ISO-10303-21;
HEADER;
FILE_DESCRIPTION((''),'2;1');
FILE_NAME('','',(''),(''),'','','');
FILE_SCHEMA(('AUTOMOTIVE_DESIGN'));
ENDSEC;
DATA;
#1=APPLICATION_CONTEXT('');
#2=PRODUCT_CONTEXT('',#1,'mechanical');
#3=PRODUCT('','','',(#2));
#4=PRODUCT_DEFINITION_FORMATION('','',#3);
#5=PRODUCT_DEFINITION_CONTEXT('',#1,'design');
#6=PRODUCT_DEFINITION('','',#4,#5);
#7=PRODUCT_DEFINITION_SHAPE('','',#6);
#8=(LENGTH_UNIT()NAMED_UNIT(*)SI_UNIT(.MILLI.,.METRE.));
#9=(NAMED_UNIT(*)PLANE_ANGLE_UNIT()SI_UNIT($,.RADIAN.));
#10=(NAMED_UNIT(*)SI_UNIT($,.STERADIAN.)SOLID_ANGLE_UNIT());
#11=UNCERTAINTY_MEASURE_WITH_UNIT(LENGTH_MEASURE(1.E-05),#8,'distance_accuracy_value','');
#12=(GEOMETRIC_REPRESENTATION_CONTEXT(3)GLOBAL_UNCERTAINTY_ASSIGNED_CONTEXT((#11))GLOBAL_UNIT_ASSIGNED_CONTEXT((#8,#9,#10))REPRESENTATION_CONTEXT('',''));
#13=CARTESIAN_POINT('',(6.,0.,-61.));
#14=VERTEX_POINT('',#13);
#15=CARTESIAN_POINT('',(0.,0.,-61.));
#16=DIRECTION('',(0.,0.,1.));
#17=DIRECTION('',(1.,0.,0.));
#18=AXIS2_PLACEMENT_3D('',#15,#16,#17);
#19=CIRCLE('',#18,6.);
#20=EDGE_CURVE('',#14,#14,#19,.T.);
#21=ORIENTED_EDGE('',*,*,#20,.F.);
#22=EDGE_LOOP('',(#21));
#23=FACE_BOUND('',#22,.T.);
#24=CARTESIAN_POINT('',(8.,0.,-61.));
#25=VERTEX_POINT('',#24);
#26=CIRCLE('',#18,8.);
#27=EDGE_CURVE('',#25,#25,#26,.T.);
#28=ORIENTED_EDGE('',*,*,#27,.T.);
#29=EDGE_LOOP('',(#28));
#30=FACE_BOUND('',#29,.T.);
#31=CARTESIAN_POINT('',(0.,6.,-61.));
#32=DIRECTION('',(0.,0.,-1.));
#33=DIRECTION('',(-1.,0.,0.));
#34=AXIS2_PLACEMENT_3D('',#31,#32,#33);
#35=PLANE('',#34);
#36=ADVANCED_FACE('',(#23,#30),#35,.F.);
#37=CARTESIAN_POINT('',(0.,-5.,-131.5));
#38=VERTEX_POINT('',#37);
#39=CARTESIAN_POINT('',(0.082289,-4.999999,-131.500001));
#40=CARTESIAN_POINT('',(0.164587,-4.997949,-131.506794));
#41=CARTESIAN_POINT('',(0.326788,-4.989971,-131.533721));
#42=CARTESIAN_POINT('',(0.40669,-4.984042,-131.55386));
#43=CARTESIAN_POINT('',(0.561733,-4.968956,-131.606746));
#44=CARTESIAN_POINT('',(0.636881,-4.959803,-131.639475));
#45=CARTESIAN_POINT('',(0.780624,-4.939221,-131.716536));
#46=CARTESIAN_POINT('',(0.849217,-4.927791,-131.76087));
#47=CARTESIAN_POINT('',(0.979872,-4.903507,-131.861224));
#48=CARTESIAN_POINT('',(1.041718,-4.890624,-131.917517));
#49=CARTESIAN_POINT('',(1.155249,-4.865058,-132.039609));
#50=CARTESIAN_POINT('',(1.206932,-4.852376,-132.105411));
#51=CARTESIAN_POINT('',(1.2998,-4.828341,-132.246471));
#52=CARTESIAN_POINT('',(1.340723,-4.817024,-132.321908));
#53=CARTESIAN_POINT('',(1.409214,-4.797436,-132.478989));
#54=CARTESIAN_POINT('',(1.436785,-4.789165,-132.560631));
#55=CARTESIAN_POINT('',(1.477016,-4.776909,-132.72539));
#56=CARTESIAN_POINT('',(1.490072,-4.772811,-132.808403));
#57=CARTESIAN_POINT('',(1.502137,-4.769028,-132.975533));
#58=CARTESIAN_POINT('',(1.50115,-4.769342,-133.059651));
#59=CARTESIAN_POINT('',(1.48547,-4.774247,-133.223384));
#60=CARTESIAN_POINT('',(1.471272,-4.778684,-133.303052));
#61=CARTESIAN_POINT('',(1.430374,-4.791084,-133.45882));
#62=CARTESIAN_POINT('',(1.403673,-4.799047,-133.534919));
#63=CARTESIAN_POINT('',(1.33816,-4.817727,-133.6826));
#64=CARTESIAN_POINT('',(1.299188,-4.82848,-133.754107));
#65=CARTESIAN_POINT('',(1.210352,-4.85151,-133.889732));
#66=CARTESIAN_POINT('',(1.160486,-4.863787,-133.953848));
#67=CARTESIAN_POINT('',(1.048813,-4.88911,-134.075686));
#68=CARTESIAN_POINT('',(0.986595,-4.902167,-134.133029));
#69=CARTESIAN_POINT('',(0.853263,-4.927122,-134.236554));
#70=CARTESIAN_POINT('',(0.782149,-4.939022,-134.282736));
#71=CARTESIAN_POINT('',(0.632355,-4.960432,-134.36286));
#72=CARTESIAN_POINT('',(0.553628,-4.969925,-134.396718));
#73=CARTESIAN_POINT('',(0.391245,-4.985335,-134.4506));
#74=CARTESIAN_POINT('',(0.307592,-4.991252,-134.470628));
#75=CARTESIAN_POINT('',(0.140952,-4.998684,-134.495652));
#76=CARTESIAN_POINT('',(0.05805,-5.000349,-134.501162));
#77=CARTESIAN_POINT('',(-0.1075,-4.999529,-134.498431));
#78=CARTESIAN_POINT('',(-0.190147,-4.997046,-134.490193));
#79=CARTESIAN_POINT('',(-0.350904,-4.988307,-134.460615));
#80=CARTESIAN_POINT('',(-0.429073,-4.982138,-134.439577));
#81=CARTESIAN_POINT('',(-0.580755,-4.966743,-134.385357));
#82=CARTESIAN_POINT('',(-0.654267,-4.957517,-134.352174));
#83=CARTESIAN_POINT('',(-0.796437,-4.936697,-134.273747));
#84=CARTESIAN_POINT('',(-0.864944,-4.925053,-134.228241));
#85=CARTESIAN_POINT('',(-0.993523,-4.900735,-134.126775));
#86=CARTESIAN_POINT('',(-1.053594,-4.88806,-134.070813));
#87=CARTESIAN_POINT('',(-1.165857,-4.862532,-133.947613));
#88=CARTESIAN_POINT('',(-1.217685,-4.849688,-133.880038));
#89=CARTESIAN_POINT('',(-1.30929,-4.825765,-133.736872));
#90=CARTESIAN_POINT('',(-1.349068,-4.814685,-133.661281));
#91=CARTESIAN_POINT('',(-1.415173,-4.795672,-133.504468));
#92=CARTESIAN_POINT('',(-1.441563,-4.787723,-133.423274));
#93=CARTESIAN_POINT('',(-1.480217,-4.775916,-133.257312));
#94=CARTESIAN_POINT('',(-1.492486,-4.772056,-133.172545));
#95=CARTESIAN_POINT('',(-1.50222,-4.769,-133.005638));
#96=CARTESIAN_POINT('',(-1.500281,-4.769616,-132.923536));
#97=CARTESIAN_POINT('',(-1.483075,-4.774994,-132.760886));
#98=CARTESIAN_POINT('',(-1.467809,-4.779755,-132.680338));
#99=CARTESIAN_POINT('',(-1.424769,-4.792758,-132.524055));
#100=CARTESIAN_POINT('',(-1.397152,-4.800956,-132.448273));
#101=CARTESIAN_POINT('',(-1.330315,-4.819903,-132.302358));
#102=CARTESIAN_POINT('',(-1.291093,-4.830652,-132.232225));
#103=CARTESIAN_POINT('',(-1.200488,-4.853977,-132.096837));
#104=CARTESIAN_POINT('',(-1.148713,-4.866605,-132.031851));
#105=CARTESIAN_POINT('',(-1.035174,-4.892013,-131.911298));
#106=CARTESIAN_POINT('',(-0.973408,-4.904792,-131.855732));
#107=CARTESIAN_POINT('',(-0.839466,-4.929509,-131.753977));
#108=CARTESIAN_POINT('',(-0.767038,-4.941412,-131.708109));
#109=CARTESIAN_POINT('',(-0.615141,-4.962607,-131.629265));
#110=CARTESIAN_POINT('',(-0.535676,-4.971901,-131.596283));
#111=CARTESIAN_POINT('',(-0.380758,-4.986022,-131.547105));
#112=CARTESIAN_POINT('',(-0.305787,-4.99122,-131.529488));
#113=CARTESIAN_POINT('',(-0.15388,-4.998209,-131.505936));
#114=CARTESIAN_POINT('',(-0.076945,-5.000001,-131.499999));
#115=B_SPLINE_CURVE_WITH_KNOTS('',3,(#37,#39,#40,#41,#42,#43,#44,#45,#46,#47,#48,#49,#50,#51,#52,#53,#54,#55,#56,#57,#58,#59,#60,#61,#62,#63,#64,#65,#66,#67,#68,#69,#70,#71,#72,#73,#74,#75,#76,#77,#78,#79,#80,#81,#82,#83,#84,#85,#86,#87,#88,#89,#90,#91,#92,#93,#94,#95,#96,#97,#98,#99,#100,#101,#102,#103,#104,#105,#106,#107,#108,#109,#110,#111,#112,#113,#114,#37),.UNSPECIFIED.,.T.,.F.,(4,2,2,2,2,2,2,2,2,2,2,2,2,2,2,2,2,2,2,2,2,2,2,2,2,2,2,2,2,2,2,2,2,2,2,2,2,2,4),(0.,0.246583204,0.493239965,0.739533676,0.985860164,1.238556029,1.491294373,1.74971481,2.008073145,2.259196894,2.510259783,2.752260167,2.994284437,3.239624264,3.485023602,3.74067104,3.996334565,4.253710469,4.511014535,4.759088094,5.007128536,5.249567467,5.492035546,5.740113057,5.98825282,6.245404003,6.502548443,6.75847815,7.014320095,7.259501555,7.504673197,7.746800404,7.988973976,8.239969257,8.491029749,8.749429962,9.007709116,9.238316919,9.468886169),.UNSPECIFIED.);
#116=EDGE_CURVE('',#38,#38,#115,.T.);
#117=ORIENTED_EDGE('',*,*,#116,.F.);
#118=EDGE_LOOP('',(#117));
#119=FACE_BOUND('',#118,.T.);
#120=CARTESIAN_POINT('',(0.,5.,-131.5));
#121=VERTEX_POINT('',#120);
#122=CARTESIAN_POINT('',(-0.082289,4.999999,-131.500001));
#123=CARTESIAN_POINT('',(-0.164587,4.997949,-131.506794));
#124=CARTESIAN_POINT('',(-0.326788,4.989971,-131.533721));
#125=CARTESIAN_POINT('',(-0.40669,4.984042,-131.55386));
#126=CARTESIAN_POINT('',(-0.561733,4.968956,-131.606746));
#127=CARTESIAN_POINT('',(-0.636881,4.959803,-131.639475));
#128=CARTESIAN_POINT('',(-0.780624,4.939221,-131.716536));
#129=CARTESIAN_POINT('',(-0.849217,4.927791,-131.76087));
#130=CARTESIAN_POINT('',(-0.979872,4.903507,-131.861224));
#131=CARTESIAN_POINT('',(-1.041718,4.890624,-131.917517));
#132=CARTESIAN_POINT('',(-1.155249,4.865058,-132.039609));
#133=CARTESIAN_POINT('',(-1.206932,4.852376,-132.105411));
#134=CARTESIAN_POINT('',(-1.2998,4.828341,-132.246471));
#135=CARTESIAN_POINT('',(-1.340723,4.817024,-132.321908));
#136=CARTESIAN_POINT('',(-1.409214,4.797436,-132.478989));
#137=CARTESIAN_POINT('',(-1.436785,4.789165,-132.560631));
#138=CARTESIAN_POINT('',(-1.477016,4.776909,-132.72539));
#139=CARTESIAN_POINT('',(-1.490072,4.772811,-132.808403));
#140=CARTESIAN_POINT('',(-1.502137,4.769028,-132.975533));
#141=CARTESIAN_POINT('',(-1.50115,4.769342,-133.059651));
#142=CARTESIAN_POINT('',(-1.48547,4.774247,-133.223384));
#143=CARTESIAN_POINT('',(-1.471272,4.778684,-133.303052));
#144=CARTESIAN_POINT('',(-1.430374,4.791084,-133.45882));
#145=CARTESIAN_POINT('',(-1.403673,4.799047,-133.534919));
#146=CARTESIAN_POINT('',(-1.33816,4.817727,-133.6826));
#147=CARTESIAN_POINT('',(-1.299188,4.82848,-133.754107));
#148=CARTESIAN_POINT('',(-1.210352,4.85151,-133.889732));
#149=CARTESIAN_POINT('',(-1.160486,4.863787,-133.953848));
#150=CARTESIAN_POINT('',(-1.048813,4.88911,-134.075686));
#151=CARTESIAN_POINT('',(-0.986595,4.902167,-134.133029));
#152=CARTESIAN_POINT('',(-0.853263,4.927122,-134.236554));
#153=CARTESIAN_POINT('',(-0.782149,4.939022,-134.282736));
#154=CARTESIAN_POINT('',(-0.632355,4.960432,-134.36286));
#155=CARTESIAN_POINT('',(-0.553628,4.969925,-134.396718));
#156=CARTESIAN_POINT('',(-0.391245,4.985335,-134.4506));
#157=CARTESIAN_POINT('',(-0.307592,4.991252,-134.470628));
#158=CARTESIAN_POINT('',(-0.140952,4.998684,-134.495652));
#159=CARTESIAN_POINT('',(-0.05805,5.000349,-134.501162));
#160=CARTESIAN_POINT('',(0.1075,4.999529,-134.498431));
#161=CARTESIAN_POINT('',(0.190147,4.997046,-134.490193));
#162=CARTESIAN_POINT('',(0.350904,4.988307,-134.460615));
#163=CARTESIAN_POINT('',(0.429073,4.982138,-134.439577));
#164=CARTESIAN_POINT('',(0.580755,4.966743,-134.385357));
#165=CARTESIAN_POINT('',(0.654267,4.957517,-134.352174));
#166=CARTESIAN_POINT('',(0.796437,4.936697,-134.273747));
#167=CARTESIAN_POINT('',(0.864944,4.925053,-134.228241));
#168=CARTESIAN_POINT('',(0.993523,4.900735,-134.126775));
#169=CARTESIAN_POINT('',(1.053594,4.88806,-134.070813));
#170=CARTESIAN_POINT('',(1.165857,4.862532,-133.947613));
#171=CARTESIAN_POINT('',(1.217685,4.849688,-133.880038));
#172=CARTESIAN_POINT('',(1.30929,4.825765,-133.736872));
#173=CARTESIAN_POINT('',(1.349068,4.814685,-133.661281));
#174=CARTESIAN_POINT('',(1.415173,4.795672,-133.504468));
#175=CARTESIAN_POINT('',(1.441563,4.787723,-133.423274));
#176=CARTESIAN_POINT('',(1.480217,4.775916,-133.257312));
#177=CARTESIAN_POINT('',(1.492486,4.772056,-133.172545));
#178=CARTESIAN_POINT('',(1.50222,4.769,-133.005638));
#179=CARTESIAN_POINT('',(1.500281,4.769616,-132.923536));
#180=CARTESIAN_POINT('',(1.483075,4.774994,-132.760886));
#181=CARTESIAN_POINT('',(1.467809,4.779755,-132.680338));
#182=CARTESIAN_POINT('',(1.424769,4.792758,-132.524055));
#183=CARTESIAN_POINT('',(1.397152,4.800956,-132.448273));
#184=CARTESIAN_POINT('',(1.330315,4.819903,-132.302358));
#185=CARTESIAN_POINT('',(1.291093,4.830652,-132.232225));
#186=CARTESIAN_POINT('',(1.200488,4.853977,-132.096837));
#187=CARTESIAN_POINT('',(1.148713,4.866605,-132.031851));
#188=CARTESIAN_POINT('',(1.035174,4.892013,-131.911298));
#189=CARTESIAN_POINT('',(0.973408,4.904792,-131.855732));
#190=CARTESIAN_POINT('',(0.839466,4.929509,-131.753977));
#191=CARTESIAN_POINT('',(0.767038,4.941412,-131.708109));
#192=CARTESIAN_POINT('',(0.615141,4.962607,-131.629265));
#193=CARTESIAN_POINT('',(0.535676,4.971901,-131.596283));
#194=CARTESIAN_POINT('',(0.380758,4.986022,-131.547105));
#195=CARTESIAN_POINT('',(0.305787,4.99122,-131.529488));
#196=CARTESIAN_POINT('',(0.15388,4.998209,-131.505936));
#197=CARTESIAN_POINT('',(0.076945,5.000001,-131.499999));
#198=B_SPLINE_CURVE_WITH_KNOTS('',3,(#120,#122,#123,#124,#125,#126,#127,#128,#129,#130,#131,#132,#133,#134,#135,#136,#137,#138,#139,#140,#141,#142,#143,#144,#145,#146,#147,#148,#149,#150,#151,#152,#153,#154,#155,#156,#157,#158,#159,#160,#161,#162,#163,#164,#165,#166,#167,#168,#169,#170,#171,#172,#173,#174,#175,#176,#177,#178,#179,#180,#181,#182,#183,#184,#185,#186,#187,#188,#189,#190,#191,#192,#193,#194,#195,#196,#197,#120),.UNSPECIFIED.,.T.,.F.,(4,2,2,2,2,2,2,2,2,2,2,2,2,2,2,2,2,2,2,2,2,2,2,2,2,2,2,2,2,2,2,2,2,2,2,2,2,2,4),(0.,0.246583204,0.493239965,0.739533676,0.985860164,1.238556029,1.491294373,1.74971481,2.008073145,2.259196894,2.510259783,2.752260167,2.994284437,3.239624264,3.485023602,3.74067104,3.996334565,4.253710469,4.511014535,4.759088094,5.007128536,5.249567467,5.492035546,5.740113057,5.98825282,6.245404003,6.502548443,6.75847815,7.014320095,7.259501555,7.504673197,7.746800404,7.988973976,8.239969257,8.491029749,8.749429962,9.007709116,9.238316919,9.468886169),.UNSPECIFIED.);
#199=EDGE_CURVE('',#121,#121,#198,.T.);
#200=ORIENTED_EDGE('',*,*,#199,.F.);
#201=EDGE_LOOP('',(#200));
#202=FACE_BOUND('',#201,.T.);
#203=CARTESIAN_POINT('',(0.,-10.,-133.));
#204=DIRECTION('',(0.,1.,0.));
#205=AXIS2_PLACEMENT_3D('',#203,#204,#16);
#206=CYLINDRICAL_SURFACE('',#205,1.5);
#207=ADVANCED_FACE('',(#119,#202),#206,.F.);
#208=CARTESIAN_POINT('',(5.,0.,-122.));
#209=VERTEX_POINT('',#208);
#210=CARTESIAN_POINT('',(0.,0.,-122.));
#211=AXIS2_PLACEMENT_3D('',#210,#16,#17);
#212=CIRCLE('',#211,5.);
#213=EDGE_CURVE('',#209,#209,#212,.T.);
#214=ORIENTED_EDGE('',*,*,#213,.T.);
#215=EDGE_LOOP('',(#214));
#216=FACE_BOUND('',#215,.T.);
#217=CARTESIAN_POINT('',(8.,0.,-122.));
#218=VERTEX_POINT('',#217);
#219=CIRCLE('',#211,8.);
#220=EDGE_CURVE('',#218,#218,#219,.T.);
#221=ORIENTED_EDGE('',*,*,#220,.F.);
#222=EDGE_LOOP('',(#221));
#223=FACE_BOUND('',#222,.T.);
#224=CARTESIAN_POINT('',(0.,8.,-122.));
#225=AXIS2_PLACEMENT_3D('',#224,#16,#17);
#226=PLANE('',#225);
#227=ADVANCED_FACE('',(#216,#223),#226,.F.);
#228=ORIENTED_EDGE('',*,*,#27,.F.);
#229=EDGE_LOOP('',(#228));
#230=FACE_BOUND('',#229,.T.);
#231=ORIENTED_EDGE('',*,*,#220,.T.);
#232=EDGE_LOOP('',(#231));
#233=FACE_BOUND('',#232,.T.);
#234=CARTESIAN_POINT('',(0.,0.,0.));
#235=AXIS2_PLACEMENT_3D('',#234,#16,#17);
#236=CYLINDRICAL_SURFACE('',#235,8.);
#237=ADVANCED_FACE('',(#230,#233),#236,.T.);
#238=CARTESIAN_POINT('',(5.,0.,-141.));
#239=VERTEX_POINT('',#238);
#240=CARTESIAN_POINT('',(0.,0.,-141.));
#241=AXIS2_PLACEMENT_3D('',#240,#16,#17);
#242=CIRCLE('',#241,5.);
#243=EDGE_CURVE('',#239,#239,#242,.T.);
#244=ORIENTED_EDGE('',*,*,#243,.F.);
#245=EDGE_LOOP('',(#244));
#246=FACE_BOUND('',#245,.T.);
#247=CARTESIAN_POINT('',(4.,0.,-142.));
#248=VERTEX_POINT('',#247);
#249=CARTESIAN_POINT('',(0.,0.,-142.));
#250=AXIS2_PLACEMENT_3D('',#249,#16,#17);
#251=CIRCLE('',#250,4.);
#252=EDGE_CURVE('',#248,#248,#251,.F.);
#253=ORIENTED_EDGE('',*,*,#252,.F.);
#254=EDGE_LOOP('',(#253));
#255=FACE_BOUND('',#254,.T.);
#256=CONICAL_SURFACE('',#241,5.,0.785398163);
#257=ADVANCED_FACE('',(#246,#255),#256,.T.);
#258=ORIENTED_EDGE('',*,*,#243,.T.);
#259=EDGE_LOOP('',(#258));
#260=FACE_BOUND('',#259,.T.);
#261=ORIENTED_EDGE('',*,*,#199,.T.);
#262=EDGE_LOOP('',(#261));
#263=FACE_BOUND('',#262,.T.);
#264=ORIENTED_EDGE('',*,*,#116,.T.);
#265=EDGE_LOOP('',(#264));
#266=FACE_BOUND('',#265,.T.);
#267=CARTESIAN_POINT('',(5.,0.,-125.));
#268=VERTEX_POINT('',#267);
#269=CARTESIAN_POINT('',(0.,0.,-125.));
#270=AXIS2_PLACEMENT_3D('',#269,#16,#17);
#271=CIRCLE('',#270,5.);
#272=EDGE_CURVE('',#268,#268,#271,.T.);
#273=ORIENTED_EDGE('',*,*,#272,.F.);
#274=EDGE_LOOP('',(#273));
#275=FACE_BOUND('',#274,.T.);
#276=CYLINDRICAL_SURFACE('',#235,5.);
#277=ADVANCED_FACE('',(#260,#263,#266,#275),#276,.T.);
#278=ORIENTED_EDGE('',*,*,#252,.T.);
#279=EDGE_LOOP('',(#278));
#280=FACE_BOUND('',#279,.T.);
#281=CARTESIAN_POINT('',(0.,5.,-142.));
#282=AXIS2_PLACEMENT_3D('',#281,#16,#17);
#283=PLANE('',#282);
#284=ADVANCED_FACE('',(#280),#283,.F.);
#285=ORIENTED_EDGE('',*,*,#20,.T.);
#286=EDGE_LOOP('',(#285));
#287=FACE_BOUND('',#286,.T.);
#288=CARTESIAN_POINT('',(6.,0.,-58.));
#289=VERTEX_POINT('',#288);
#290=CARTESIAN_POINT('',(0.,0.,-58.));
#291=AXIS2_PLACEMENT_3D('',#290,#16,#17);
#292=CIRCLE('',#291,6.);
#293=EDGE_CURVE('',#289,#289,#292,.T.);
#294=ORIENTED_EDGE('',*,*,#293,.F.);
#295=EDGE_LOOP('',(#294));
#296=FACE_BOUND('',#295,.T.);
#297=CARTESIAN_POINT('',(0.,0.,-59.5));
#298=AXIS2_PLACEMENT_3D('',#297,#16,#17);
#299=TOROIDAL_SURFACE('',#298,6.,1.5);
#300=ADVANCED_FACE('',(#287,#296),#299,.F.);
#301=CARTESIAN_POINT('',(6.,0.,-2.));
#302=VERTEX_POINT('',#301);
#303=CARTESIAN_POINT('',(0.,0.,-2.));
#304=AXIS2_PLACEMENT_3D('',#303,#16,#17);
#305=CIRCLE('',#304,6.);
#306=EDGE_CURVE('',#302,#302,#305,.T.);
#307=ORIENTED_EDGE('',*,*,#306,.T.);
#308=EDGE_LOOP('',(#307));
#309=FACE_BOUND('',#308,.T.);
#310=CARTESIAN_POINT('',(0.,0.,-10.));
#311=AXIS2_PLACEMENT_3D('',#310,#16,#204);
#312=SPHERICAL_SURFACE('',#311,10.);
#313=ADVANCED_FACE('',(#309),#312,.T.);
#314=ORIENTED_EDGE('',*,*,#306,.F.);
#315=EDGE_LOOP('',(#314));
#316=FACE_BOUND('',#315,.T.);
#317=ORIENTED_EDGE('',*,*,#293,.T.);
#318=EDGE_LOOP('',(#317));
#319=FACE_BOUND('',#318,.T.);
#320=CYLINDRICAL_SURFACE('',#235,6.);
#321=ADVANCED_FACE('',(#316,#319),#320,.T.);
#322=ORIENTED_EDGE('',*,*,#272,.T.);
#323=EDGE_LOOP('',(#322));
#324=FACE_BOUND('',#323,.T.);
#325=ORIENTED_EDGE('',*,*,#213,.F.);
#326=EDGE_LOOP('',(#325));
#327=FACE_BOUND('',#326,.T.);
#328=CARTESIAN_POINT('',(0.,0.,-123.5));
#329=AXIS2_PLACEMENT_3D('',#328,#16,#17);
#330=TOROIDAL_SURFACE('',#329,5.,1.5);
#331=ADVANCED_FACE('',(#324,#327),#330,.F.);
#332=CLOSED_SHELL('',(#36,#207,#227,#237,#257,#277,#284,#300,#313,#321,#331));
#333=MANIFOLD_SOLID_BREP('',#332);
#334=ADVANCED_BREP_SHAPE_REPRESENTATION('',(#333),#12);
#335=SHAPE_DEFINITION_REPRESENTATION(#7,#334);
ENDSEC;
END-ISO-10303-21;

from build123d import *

# Parameters (mm, degrees)
SKETCH_2_R          = 1.5
CUT_EXTRUDE_1_DEPTH = 10
CHAMFER_1_SIZE      = 1


with BuildPart() as part:
    # 草圖1 → 旋轉1 (revolve)
    with BuildSketch(Plane(origin=(0, 0, 0), x_dir=(0, 0, -1), z_dir=(1, 0, 0)), mode=Mode.PRIVATE) as revolve_1_sk:
        with BuildLine():
            Line((2, 6), (58, 6))
            ThreePointArc((58, 6), (59.5, 4.5), (61, 6))
            Line((61, 6), (61, 8))
            Line((61, 8), (122, 8))
            Line((122, 8), (122, 5))
            ThreePointArc((122, 5), (123.5, 3.5), (125, 5))
            Line((125, 5), (142, 5))
            Line((142, 5), (142, 0))
            Line((142, 0), (0, 0))
            ThreePointArc((0, 0), (0.513167019, 3.16227766), (2, 6))
        make_face()
    revolve(revolve_1_sk.sketch.rotate(Axis((0, 0, 0), (0, 0, -1)), 90), axis=Axis((0, 0, 0), (0, 0, -1)))

    # 草圖2 → 除料-伸長1 (cut, symmetric)
    with BuildSketch(Plane(origin=(0, 0, 0), x_dir=(1, 0, 0), z_dir=(0, 1, 0))):
        with Locations(Location((0, 133, 0), (0, 0, 270))):
            Circle(SKETCH_2_R)
    extrude(amount=CUT_EXTRUDE_1_DEPTH, both=True, mode=Mode.SUBTRACT)

    # 導角1
    chamfer_1_edges = [part.edges().sort_by_distance(p)[0] for p in [
        (-5, 0, -142),
    ]]
    chamfer(chamfer_1_edges, length=CHAMFER_1_SIZE)


solid = part.part
